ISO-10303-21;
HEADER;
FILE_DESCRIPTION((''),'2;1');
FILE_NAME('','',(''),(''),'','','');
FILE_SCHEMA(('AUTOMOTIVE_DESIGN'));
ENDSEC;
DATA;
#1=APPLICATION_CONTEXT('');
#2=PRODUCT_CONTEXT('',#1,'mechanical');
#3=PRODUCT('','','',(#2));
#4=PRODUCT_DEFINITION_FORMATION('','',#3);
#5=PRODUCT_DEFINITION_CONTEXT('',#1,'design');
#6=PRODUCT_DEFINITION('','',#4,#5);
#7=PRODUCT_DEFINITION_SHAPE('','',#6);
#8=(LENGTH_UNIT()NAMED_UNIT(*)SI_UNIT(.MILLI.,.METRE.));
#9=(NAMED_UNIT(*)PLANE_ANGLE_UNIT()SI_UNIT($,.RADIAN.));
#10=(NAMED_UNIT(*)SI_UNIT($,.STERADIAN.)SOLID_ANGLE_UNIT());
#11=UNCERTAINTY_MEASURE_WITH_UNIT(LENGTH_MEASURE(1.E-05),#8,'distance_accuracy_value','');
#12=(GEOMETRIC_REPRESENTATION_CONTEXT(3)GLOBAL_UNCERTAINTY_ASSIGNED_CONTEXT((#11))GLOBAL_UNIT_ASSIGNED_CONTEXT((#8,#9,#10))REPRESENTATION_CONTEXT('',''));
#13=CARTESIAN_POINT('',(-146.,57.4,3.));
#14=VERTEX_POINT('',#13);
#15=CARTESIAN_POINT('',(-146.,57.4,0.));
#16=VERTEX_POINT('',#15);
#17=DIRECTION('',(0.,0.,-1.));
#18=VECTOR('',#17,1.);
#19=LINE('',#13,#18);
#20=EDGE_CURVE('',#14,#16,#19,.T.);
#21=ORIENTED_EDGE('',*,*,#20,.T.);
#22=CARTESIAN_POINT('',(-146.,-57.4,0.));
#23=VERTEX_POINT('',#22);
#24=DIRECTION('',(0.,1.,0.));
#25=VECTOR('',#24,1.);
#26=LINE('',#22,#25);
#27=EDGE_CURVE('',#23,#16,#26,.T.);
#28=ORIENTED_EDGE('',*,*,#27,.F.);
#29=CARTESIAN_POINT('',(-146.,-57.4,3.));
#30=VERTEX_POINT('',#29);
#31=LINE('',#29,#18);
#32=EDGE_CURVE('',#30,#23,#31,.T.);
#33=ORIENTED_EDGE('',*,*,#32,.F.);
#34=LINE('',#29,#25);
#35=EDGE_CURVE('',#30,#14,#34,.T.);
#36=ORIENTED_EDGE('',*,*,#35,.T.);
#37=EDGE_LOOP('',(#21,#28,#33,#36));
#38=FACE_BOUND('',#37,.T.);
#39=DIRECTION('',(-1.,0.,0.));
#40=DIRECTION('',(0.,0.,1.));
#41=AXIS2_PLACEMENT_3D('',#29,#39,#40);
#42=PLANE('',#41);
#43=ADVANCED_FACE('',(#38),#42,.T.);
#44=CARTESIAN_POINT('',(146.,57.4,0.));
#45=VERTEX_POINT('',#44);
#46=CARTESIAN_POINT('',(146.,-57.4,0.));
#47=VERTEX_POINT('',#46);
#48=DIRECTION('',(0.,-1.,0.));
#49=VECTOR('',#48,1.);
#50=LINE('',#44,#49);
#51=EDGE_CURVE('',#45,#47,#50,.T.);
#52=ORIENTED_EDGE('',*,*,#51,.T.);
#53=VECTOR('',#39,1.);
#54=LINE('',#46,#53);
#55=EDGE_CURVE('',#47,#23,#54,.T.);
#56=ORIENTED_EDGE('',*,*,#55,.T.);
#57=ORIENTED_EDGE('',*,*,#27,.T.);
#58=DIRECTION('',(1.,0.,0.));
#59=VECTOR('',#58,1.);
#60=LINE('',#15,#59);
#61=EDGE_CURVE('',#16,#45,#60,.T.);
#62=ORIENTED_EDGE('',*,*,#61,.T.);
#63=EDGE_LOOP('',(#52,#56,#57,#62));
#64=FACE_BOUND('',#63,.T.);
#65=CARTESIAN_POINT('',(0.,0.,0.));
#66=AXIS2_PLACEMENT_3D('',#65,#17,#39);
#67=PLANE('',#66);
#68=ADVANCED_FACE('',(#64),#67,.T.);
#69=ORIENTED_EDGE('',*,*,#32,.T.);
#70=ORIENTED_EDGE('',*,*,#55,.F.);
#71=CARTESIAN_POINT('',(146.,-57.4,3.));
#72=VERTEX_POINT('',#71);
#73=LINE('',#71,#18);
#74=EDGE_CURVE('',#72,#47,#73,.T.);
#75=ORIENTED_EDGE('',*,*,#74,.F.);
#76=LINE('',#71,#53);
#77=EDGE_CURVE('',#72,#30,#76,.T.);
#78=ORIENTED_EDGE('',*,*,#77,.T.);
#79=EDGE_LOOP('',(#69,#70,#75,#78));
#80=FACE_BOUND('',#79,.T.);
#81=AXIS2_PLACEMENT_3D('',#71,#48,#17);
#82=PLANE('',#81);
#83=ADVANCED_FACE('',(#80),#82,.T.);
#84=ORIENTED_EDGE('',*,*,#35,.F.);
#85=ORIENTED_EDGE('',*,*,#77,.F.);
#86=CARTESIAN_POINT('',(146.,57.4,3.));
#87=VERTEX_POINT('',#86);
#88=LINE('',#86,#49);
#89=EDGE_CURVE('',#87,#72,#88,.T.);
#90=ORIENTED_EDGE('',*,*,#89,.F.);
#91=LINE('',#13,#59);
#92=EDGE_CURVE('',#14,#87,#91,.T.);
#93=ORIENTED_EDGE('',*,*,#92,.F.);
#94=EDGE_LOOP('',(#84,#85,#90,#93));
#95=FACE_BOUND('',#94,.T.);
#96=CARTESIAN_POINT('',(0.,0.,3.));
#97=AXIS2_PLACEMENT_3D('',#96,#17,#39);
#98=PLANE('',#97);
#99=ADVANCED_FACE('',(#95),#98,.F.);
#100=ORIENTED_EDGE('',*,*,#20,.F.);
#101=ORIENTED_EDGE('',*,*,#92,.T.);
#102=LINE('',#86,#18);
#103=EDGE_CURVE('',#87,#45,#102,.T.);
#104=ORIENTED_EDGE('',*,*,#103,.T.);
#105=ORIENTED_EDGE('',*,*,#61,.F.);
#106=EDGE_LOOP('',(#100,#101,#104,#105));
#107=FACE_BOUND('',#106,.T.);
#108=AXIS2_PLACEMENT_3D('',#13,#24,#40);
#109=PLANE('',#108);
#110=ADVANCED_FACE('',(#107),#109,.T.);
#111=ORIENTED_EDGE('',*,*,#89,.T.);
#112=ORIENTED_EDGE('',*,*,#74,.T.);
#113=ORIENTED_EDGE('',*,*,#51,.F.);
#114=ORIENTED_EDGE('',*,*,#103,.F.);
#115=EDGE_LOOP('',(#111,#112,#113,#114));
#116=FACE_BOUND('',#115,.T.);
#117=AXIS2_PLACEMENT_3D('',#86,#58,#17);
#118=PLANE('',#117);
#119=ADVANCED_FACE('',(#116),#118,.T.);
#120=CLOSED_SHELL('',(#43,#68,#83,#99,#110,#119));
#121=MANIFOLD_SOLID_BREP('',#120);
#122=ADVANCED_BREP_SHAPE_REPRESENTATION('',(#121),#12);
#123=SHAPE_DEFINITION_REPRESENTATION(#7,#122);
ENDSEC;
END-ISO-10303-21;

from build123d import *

# Parameters (mm, degrees)
SKETCH1_W           = 292
SKETCH1_H           = 114.8
BOSS_EXTRUDE1_DEPTH = 3


with BuildPart() as part:
    # Sketch1 → Boss-Extrude1 (new body)
    with BuildSketch(Plane(origin=(0, 0, 0), x_dir=(-1, 0, 0), z_dir=(0, 0, -1))):
        Rectangle(SKETCH1_W, SKETCH1_H)
    extrude(amount=-BOSS_EXTRUDE1_DEPTH)


solid = part.part
